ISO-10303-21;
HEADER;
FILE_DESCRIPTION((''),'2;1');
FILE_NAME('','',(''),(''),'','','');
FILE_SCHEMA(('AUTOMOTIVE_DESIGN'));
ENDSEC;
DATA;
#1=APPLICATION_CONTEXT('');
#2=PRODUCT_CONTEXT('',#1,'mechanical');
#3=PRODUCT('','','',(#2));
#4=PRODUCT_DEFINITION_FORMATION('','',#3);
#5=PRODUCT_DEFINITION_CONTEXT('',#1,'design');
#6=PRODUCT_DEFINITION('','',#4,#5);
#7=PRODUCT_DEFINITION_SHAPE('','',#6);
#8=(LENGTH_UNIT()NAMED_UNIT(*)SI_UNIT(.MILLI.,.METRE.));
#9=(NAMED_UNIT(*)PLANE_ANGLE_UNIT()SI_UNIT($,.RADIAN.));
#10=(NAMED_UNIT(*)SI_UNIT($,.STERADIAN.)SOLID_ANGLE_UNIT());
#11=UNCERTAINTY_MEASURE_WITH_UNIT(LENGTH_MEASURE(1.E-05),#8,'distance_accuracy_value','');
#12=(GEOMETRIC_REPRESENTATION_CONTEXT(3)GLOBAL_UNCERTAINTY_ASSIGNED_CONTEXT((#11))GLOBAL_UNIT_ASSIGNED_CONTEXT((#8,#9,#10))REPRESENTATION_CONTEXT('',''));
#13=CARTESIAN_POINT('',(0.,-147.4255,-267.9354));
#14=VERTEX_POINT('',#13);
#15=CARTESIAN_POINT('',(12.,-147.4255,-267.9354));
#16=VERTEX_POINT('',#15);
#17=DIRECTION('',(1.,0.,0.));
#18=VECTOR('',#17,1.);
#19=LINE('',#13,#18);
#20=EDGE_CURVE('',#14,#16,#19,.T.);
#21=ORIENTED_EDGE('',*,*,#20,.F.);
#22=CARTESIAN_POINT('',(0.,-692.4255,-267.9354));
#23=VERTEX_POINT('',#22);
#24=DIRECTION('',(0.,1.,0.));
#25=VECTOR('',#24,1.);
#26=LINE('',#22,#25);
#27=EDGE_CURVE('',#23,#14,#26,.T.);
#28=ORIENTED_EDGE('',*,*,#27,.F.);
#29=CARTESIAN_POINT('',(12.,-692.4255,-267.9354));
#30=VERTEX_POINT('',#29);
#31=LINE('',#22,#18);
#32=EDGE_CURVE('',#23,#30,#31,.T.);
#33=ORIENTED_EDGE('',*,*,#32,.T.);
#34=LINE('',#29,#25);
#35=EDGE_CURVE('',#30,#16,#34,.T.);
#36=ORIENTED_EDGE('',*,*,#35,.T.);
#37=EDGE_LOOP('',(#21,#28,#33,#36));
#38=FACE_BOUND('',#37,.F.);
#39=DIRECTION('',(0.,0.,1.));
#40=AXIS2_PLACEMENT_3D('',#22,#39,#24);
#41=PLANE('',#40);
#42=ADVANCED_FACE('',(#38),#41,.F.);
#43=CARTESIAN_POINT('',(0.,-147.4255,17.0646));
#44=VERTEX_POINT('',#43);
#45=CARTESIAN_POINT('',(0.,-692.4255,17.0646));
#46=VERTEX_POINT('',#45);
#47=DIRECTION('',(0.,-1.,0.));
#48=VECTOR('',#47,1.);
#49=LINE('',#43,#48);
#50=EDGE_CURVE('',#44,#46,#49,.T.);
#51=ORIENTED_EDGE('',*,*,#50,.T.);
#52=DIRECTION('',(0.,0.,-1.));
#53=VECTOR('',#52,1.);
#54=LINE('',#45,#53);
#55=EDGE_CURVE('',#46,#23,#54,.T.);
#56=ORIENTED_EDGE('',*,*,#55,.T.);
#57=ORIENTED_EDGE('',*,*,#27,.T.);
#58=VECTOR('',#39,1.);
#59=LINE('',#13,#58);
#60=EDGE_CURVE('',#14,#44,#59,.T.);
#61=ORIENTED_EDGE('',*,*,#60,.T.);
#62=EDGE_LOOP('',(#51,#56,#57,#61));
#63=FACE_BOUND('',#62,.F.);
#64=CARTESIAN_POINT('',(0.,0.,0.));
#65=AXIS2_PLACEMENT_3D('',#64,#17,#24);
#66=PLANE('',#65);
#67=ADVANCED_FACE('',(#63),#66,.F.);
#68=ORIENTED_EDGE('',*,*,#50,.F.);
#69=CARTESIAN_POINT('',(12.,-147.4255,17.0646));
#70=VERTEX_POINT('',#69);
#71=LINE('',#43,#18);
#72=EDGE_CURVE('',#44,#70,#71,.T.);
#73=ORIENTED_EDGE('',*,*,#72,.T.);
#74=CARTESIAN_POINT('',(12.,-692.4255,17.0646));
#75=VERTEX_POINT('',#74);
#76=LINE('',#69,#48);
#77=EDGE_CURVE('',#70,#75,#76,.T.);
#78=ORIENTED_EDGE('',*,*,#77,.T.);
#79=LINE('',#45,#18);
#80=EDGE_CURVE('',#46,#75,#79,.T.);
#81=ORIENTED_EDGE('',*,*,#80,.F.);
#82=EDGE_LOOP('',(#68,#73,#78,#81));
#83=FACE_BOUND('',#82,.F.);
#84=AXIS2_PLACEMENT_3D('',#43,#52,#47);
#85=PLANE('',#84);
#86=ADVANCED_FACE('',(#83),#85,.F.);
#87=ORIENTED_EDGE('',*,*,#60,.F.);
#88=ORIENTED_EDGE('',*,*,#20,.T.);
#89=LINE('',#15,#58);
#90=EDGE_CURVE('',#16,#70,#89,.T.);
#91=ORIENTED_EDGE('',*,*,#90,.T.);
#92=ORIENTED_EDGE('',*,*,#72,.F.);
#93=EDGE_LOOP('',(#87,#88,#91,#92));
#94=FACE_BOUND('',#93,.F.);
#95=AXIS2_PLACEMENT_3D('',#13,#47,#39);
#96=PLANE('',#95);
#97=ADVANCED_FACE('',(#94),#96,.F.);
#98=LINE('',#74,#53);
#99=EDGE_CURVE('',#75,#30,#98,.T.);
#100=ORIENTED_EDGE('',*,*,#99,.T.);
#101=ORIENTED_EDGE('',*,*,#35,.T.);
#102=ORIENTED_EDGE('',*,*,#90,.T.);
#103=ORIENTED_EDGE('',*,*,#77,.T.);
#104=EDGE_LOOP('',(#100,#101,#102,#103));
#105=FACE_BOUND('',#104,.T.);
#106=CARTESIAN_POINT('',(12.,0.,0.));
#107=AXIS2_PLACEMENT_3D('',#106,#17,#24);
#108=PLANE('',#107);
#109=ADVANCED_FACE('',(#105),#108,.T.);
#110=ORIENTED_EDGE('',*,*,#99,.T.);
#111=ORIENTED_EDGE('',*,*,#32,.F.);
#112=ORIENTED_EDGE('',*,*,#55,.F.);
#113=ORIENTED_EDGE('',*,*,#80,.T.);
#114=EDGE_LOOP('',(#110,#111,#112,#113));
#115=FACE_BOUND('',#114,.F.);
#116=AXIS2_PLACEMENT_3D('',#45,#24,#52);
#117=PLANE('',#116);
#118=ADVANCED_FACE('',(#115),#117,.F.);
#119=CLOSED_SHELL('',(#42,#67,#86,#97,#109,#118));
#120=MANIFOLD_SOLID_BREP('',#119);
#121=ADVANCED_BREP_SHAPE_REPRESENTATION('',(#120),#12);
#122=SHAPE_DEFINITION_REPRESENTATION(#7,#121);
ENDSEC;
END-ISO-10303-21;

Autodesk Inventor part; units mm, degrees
ref_plane "YZ Plane" through (0, 0, 0) normal (1, 0, 0) x (0, 1, 0)
ref_plane "XZ Plane" through (0, 0, 0) normal (0, 1, 0) x (-1, 0, 0)
ref_plane "XY Plane" through (0, 0, 0) normal (0, 0, 1) x (1, 0, 0)
sketch "Sketch1" plane through (0, 0, 0) normal (1, 0, 0) x (0, 1, 0)
  line L0 (-147.4255, 17.0646) -> (-692.4255, 17.0646)
  line L1 (-692.4255, 17.0646) -> (-692.4255, -267.9354)
  line L2 (-692.4255, -267.9354) -> (-147.4255, -267.9354)
  line L3 (-147.4255, -267.9354) -> (-147.4255, 17.0646)
  point P0 (0, 0)
  dimension "b" = 545
  dimension "d1" = 285
extrude "Extrusion1" add sketch "Sketch1" along normal blind 12
properties part number "CUT PART B-01" material "Wood (Birch)"
